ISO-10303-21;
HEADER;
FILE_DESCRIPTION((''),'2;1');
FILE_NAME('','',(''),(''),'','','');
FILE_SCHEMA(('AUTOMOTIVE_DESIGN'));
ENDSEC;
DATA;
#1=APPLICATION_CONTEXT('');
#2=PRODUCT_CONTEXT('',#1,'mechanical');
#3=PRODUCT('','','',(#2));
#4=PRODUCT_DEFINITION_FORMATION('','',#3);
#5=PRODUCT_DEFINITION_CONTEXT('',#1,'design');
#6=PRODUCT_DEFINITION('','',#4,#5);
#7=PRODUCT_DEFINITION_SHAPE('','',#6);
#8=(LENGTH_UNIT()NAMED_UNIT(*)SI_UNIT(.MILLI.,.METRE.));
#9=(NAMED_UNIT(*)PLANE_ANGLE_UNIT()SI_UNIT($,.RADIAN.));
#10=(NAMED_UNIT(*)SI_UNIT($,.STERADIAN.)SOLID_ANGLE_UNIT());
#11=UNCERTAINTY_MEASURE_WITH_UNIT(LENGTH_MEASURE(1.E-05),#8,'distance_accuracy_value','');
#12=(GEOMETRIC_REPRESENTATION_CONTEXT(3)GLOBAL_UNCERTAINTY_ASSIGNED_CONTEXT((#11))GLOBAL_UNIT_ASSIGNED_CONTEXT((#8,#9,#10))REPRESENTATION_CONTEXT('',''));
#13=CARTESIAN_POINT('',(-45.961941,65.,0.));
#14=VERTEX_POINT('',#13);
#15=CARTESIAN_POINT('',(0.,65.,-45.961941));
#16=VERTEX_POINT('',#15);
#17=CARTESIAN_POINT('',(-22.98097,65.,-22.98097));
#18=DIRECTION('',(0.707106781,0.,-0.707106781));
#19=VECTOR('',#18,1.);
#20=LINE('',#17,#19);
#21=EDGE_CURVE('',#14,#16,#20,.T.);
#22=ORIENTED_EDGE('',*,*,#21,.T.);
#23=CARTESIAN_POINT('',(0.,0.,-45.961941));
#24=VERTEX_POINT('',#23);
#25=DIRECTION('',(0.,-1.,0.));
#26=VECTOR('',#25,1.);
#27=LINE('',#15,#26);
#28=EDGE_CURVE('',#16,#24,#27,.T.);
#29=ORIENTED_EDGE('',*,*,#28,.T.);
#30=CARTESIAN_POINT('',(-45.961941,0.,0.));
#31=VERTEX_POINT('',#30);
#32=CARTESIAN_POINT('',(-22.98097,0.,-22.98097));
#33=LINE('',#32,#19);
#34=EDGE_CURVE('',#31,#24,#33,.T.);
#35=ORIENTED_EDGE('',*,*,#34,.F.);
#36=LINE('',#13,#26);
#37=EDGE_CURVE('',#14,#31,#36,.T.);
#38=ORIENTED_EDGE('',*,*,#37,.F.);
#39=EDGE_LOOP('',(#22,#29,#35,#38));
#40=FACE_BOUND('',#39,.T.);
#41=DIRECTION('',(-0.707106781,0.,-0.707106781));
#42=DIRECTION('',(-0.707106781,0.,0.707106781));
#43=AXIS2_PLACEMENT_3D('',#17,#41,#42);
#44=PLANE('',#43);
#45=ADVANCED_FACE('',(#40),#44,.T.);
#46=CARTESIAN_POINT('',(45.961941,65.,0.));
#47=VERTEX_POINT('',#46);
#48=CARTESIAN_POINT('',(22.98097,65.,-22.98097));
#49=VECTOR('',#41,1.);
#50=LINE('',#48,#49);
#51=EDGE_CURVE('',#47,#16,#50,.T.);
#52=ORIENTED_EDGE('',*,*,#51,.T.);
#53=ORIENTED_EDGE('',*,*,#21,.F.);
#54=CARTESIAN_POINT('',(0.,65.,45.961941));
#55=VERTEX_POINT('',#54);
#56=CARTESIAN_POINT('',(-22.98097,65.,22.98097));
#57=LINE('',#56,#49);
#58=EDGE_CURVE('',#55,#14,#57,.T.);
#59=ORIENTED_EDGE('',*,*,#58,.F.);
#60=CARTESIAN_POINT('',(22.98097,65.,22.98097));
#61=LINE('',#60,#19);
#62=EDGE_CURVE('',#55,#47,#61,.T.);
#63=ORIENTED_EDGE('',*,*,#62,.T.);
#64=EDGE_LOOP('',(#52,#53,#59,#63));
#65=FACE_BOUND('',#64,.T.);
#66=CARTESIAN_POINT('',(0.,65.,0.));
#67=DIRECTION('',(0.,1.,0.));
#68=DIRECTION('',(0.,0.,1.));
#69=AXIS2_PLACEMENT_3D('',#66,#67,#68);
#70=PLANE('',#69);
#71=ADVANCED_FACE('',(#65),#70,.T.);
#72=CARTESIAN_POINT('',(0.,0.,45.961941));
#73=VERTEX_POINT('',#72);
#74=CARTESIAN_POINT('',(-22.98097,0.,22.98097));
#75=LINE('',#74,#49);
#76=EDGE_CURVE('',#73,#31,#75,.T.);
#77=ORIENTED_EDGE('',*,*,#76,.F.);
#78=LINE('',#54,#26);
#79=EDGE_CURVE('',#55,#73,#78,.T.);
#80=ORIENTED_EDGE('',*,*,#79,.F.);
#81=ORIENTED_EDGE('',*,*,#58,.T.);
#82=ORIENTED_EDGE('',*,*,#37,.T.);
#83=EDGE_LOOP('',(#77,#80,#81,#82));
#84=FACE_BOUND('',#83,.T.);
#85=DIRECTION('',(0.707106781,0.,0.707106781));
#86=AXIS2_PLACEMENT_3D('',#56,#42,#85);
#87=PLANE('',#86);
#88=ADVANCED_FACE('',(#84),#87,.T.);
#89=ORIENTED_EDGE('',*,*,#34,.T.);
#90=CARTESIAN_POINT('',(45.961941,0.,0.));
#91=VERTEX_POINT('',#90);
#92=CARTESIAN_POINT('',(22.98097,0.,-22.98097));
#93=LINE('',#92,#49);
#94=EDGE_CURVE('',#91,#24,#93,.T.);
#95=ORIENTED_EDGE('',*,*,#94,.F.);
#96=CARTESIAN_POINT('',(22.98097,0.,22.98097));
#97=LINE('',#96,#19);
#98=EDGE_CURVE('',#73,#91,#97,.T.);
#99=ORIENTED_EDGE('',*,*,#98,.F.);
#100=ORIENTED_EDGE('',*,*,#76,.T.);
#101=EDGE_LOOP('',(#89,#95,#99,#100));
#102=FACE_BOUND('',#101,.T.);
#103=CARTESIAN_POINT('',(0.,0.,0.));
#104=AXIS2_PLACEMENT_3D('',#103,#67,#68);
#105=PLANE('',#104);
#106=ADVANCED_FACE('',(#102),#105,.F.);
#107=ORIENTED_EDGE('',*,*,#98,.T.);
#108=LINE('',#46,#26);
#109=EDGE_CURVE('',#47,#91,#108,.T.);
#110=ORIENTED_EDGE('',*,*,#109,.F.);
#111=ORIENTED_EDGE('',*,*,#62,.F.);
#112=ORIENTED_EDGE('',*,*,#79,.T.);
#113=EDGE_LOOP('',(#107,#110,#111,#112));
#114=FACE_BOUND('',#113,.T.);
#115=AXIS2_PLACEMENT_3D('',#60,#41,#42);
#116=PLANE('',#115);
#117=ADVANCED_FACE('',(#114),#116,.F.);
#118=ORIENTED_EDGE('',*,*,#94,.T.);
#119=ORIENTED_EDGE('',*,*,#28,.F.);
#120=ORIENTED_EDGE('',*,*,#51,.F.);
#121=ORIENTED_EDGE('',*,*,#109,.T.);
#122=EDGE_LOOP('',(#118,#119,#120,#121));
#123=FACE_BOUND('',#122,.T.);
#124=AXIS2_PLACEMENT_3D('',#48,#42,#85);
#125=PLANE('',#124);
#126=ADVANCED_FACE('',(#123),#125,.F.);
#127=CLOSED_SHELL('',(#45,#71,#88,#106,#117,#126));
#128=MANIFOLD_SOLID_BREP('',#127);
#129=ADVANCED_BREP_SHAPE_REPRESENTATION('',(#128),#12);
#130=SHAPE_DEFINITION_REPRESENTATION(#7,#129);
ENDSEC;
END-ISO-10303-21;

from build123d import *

# Parameters (mm, degrees)
BOSS_EXTRUDE3_DEPTH = 65


with BuildPart() as part:
    # Sketch1 → Boss-Extrude3 (new body)
    with BuildSketch(Plane(origin=(0, 0, 0), x_dir=(1, 0, 0), z_dir=(0, 1, 0))):
        Polygon((0, -45.961940777), (45.961940777, 0), (0, 45.961940777), (-45.961940777, 0), align=None)
    extrude(amount=BOSS_EXTRUDE3_DEPTH)


solid = part.part
